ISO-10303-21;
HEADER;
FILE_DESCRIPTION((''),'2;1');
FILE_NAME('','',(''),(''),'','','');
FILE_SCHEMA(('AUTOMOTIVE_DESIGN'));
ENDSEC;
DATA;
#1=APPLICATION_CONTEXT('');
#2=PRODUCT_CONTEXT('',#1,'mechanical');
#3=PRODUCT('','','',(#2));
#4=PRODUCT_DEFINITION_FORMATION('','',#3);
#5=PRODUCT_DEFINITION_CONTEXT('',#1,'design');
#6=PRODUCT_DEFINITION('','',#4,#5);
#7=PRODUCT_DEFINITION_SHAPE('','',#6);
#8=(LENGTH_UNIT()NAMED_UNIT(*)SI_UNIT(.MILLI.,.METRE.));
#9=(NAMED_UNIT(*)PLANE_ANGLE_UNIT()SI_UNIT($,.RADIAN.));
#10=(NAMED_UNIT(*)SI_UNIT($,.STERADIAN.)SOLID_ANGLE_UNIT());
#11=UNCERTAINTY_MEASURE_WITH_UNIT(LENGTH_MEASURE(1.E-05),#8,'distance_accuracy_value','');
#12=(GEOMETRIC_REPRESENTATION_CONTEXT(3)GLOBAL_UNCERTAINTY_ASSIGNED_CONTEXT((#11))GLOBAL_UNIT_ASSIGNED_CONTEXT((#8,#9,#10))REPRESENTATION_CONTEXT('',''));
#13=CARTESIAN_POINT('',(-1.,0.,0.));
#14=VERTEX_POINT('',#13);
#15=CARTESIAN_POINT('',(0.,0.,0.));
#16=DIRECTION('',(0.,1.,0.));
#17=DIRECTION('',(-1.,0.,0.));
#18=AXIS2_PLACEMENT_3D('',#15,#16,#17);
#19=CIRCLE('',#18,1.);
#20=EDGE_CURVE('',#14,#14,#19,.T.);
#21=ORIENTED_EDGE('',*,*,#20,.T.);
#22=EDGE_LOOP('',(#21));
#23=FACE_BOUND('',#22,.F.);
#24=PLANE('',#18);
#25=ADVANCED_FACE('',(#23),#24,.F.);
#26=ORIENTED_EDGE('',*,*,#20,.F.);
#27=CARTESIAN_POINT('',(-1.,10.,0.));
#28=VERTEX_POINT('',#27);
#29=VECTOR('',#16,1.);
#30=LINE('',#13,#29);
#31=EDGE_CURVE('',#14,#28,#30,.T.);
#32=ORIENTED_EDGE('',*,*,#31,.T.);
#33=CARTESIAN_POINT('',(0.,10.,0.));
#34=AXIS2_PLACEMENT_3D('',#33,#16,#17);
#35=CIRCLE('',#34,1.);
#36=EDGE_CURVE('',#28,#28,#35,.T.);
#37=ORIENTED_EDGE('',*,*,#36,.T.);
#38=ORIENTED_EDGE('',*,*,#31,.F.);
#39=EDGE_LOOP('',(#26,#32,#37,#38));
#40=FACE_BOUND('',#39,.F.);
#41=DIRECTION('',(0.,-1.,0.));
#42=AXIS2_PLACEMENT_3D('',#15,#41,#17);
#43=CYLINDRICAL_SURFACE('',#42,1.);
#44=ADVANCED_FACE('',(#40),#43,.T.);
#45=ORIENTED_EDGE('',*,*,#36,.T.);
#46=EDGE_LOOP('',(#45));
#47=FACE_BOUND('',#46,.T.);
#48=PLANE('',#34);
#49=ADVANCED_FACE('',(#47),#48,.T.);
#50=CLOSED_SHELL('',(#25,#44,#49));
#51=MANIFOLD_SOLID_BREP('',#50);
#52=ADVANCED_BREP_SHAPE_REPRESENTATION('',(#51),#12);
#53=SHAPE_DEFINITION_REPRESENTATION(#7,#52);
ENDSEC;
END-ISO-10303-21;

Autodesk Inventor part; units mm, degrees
ref_plane "YZ Plane" through (0, 0, 0) normal (1, 0, 0) x (0, 1, 0)
ref_plane "XZ Plane" through (0, 0, 0) normal (0, 1, 0) x (-1, 0, 0)
ref_plane "XY Plane" through (0, 0, 0) normal (0, 0, 1) x (1, 0, 0)
sketch "スケッチ1" plane through (0, 0, 0) normal (0, 1, 0) x (-1, 0, 0)
  circle A0 centre (0, 0) radius 1
  dimension "d0" = 2
extrude "押し出し1" add sketch "スケッチ1" along normal blind 10
properties part number "daisen_motor_part2"
